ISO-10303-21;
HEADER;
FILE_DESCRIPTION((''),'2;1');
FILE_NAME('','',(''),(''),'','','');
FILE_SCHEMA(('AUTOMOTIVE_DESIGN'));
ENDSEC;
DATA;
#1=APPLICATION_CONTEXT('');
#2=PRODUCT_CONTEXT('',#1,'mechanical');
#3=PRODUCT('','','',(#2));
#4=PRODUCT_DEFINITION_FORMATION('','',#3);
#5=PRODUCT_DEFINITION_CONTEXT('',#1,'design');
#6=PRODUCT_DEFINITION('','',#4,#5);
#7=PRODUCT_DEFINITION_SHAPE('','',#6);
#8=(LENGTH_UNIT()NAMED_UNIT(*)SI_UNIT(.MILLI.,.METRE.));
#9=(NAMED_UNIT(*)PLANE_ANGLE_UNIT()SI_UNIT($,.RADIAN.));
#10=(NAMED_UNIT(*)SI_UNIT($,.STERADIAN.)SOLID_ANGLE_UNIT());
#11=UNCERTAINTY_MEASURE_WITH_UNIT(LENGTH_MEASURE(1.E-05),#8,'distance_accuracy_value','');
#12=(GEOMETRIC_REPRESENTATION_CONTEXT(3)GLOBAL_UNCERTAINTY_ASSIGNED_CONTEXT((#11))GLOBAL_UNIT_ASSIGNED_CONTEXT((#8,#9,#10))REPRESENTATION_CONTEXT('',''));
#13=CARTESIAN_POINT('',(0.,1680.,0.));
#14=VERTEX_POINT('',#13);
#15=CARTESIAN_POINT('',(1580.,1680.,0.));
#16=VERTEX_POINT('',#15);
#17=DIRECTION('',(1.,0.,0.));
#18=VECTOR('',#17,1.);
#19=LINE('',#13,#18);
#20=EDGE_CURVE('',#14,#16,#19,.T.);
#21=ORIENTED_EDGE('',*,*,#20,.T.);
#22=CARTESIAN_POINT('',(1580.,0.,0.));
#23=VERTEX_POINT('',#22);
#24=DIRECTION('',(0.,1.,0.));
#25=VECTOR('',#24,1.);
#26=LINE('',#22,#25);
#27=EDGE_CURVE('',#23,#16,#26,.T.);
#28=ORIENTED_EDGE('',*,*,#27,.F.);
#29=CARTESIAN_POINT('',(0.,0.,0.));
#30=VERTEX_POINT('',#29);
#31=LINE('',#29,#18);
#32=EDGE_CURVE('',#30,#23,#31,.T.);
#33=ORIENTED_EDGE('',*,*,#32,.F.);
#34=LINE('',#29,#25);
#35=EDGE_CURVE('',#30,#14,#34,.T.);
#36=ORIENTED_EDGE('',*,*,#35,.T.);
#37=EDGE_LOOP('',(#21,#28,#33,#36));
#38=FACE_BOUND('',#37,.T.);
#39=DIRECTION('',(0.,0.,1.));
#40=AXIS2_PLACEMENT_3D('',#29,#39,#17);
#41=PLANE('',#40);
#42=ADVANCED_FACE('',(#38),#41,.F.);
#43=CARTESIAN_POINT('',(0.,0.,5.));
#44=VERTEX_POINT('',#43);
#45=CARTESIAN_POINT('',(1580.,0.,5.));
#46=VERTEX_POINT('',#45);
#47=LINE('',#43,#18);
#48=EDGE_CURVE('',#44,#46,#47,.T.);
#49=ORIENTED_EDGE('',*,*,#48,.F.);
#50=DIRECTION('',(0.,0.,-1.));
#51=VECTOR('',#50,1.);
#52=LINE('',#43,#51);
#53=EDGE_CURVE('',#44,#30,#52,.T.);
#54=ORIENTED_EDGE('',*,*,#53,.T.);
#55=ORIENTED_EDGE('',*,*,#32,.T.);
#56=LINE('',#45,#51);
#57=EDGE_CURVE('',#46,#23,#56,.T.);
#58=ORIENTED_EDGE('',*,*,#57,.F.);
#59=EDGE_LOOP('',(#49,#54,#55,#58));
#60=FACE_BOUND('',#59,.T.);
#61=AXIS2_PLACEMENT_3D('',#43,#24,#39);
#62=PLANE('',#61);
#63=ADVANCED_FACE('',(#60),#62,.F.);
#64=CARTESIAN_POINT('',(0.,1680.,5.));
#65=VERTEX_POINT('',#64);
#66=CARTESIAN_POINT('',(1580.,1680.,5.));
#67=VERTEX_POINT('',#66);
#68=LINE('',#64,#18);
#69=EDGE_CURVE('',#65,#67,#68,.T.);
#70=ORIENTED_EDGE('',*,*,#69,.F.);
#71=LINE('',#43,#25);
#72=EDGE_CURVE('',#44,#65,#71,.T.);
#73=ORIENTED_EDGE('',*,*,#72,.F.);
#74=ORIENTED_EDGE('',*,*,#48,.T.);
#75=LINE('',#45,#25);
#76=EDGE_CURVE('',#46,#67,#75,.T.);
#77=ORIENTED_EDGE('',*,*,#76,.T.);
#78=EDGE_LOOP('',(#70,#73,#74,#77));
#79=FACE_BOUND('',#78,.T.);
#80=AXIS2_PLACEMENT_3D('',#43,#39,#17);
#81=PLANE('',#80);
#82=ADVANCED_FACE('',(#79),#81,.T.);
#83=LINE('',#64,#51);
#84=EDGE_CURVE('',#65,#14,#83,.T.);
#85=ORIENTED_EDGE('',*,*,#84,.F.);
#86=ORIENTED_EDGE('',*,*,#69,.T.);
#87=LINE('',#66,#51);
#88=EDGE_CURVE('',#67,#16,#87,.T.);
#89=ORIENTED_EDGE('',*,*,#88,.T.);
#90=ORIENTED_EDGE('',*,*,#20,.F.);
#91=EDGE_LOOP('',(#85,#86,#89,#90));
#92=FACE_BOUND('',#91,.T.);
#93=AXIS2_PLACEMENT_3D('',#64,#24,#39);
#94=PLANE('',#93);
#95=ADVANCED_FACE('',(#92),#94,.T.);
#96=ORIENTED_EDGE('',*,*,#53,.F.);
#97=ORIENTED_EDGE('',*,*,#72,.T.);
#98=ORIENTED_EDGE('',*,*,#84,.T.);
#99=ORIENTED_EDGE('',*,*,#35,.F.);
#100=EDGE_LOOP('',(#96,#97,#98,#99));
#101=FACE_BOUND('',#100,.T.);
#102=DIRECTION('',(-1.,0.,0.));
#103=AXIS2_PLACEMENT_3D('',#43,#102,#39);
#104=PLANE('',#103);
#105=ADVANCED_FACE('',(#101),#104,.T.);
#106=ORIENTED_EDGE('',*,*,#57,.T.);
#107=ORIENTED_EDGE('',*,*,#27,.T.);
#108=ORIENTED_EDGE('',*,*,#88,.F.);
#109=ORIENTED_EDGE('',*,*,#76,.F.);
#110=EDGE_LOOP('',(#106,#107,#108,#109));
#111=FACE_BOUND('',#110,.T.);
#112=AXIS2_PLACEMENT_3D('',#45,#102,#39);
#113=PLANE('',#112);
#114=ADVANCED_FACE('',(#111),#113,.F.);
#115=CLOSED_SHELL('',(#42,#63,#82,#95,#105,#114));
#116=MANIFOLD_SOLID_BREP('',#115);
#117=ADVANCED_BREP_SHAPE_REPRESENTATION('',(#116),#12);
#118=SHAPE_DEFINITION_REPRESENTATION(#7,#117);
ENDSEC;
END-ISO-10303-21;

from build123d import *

# Parameters (mm, degrees)
SZKIC1_W                    = 1580
SZKIC1_H                    = 1680
DODANIE_WYCI_GNI_CIE1_DEPTH = 5


with BuildPart() as part:
    # Szkic1 → Dodanie-wyciągnięcie1 (new body)
    with BuildSketch(Plane.XY):
        with Locations((790, 840)):
            Rectangle(SZKIC1_W, SZKIC1_H)
    extrude(amount=DODANIE_WYCI_GNI_CIE1_DEPTH)


solid = part.part
